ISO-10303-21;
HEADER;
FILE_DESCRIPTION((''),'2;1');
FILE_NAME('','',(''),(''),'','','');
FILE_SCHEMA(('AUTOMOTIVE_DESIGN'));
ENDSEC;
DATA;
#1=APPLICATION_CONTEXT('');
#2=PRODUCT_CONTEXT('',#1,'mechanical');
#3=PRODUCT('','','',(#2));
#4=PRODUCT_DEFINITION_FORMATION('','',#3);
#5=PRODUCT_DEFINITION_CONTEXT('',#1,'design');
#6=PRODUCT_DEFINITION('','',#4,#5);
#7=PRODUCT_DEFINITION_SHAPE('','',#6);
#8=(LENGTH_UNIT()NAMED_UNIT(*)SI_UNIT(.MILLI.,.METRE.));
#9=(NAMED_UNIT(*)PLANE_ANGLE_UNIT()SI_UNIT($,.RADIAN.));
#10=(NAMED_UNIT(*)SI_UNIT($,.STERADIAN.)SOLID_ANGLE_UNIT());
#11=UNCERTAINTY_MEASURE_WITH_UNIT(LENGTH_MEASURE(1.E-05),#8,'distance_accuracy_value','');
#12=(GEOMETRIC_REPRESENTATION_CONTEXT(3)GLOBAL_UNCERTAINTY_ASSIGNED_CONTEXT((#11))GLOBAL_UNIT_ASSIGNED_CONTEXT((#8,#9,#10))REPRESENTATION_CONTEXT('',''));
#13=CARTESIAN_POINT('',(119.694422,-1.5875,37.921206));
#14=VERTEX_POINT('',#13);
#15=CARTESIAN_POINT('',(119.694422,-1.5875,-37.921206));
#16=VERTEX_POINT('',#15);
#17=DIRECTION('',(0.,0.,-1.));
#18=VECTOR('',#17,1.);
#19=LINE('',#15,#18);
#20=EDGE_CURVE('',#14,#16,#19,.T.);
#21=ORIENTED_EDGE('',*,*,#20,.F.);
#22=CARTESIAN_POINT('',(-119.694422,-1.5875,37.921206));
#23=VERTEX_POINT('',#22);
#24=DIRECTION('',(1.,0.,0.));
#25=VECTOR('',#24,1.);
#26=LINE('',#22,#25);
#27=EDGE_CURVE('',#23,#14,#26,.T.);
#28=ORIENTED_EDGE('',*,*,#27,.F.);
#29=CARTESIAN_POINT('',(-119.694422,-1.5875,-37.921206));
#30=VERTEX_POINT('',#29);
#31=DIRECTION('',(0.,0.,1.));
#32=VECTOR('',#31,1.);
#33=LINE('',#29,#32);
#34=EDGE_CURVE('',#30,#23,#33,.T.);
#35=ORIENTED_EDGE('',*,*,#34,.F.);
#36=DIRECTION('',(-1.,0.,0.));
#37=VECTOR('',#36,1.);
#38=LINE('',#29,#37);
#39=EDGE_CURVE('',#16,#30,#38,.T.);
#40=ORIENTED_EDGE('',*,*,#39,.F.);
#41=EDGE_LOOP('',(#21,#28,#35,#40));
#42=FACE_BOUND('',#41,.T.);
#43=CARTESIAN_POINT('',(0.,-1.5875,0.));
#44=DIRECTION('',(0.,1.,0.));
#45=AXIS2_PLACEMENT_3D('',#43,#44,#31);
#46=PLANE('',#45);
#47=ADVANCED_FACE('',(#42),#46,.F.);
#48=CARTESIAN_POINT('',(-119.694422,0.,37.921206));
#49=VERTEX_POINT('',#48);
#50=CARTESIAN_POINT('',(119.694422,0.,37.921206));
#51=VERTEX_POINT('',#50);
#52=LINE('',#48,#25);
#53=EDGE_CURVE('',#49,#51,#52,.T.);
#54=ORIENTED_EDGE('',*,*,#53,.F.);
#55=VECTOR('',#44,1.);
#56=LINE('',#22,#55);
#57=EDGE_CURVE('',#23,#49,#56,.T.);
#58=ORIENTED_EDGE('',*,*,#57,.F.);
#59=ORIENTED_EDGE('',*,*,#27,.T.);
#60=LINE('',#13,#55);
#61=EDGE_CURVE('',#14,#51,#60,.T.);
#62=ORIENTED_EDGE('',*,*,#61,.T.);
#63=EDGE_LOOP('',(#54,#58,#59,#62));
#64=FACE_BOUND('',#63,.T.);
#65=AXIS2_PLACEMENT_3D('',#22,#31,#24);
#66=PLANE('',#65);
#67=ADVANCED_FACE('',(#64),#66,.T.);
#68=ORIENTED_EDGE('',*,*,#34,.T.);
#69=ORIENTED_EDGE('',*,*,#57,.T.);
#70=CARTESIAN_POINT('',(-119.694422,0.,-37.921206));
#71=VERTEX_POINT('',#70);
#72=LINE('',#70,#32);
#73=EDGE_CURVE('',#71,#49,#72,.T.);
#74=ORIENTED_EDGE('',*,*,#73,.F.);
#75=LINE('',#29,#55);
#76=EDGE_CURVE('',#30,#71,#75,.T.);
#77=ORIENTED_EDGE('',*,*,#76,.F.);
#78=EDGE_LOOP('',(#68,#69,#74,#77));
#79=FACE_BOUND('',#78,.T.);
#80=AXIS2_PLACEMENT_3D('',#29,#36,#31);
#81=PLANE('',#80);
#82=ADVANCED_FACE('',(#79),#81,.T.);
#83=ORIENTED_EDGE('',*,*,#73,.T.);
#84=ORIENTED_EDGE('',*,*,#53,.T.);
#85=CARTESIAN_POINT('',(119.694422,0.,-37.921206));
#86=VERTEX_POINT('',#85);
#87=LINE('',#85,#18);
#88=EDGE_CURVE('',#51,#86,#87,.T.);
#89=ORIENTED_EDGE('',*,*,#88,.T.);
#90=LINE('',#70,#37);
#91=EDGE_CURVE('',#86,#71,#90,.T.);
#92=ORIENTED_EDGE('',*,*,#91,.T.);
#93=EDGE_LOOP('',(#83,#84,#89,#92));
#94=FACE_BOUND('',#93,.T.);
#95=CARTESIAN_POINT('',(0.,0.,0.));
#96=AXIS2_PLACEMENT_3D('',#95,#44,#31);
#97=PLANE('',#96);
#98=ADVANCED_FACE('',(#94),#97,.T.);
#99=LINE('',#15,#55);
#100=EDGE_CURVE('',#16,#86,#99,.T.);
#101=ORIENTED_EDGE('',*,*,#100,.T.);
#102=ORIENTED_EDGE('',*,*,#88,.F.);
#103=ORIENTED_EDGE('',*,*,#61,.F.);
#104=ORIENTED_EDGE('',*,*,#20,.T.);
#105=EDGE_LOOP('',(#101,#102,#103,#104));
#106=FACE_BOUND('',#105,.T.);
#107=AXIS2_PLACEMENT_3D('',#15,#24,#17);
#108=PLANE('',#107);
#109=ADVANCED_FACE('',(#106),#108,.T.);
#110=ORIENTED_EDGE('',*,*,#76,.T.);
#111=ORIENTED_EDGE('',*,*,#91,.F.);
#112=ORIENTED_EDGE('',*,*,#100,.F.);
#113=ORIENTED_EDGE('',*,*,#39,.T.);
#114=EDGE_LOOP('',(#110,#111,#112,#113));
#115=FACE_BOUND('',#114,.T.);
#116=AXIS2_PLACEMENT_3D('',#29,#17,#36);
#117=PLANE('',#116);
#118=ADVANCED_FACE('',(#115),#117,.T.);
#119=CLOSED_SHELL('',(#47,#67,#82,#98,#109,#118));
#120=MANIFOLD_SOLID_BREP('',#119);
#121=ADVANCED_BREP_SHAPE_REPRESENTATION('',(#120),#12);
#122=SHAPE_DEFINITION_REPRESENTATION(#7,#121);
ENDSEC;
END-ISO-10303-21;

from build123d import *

# Parameters (mm, degrees)
SKETCH1_W           = 239.388843642
SKETCH1_H           = 75.842411424
BOSS_EXTRUDE1_DEPTH = 1.5875


with BuildPart() as part:
    # Sketch1 → Boss-Extrude1 (new body)
    with BuildSketch(Plane(origin=(0, 0, 0), x_dir=(1, 0, 0), z_dir=(0, 1, 0))):
        Rectangle(SKETCH1_W, SKETCH1_H)
    extrude(amount=-BOSS_EXTRUDE1_DEPTH)


solid = part.part
